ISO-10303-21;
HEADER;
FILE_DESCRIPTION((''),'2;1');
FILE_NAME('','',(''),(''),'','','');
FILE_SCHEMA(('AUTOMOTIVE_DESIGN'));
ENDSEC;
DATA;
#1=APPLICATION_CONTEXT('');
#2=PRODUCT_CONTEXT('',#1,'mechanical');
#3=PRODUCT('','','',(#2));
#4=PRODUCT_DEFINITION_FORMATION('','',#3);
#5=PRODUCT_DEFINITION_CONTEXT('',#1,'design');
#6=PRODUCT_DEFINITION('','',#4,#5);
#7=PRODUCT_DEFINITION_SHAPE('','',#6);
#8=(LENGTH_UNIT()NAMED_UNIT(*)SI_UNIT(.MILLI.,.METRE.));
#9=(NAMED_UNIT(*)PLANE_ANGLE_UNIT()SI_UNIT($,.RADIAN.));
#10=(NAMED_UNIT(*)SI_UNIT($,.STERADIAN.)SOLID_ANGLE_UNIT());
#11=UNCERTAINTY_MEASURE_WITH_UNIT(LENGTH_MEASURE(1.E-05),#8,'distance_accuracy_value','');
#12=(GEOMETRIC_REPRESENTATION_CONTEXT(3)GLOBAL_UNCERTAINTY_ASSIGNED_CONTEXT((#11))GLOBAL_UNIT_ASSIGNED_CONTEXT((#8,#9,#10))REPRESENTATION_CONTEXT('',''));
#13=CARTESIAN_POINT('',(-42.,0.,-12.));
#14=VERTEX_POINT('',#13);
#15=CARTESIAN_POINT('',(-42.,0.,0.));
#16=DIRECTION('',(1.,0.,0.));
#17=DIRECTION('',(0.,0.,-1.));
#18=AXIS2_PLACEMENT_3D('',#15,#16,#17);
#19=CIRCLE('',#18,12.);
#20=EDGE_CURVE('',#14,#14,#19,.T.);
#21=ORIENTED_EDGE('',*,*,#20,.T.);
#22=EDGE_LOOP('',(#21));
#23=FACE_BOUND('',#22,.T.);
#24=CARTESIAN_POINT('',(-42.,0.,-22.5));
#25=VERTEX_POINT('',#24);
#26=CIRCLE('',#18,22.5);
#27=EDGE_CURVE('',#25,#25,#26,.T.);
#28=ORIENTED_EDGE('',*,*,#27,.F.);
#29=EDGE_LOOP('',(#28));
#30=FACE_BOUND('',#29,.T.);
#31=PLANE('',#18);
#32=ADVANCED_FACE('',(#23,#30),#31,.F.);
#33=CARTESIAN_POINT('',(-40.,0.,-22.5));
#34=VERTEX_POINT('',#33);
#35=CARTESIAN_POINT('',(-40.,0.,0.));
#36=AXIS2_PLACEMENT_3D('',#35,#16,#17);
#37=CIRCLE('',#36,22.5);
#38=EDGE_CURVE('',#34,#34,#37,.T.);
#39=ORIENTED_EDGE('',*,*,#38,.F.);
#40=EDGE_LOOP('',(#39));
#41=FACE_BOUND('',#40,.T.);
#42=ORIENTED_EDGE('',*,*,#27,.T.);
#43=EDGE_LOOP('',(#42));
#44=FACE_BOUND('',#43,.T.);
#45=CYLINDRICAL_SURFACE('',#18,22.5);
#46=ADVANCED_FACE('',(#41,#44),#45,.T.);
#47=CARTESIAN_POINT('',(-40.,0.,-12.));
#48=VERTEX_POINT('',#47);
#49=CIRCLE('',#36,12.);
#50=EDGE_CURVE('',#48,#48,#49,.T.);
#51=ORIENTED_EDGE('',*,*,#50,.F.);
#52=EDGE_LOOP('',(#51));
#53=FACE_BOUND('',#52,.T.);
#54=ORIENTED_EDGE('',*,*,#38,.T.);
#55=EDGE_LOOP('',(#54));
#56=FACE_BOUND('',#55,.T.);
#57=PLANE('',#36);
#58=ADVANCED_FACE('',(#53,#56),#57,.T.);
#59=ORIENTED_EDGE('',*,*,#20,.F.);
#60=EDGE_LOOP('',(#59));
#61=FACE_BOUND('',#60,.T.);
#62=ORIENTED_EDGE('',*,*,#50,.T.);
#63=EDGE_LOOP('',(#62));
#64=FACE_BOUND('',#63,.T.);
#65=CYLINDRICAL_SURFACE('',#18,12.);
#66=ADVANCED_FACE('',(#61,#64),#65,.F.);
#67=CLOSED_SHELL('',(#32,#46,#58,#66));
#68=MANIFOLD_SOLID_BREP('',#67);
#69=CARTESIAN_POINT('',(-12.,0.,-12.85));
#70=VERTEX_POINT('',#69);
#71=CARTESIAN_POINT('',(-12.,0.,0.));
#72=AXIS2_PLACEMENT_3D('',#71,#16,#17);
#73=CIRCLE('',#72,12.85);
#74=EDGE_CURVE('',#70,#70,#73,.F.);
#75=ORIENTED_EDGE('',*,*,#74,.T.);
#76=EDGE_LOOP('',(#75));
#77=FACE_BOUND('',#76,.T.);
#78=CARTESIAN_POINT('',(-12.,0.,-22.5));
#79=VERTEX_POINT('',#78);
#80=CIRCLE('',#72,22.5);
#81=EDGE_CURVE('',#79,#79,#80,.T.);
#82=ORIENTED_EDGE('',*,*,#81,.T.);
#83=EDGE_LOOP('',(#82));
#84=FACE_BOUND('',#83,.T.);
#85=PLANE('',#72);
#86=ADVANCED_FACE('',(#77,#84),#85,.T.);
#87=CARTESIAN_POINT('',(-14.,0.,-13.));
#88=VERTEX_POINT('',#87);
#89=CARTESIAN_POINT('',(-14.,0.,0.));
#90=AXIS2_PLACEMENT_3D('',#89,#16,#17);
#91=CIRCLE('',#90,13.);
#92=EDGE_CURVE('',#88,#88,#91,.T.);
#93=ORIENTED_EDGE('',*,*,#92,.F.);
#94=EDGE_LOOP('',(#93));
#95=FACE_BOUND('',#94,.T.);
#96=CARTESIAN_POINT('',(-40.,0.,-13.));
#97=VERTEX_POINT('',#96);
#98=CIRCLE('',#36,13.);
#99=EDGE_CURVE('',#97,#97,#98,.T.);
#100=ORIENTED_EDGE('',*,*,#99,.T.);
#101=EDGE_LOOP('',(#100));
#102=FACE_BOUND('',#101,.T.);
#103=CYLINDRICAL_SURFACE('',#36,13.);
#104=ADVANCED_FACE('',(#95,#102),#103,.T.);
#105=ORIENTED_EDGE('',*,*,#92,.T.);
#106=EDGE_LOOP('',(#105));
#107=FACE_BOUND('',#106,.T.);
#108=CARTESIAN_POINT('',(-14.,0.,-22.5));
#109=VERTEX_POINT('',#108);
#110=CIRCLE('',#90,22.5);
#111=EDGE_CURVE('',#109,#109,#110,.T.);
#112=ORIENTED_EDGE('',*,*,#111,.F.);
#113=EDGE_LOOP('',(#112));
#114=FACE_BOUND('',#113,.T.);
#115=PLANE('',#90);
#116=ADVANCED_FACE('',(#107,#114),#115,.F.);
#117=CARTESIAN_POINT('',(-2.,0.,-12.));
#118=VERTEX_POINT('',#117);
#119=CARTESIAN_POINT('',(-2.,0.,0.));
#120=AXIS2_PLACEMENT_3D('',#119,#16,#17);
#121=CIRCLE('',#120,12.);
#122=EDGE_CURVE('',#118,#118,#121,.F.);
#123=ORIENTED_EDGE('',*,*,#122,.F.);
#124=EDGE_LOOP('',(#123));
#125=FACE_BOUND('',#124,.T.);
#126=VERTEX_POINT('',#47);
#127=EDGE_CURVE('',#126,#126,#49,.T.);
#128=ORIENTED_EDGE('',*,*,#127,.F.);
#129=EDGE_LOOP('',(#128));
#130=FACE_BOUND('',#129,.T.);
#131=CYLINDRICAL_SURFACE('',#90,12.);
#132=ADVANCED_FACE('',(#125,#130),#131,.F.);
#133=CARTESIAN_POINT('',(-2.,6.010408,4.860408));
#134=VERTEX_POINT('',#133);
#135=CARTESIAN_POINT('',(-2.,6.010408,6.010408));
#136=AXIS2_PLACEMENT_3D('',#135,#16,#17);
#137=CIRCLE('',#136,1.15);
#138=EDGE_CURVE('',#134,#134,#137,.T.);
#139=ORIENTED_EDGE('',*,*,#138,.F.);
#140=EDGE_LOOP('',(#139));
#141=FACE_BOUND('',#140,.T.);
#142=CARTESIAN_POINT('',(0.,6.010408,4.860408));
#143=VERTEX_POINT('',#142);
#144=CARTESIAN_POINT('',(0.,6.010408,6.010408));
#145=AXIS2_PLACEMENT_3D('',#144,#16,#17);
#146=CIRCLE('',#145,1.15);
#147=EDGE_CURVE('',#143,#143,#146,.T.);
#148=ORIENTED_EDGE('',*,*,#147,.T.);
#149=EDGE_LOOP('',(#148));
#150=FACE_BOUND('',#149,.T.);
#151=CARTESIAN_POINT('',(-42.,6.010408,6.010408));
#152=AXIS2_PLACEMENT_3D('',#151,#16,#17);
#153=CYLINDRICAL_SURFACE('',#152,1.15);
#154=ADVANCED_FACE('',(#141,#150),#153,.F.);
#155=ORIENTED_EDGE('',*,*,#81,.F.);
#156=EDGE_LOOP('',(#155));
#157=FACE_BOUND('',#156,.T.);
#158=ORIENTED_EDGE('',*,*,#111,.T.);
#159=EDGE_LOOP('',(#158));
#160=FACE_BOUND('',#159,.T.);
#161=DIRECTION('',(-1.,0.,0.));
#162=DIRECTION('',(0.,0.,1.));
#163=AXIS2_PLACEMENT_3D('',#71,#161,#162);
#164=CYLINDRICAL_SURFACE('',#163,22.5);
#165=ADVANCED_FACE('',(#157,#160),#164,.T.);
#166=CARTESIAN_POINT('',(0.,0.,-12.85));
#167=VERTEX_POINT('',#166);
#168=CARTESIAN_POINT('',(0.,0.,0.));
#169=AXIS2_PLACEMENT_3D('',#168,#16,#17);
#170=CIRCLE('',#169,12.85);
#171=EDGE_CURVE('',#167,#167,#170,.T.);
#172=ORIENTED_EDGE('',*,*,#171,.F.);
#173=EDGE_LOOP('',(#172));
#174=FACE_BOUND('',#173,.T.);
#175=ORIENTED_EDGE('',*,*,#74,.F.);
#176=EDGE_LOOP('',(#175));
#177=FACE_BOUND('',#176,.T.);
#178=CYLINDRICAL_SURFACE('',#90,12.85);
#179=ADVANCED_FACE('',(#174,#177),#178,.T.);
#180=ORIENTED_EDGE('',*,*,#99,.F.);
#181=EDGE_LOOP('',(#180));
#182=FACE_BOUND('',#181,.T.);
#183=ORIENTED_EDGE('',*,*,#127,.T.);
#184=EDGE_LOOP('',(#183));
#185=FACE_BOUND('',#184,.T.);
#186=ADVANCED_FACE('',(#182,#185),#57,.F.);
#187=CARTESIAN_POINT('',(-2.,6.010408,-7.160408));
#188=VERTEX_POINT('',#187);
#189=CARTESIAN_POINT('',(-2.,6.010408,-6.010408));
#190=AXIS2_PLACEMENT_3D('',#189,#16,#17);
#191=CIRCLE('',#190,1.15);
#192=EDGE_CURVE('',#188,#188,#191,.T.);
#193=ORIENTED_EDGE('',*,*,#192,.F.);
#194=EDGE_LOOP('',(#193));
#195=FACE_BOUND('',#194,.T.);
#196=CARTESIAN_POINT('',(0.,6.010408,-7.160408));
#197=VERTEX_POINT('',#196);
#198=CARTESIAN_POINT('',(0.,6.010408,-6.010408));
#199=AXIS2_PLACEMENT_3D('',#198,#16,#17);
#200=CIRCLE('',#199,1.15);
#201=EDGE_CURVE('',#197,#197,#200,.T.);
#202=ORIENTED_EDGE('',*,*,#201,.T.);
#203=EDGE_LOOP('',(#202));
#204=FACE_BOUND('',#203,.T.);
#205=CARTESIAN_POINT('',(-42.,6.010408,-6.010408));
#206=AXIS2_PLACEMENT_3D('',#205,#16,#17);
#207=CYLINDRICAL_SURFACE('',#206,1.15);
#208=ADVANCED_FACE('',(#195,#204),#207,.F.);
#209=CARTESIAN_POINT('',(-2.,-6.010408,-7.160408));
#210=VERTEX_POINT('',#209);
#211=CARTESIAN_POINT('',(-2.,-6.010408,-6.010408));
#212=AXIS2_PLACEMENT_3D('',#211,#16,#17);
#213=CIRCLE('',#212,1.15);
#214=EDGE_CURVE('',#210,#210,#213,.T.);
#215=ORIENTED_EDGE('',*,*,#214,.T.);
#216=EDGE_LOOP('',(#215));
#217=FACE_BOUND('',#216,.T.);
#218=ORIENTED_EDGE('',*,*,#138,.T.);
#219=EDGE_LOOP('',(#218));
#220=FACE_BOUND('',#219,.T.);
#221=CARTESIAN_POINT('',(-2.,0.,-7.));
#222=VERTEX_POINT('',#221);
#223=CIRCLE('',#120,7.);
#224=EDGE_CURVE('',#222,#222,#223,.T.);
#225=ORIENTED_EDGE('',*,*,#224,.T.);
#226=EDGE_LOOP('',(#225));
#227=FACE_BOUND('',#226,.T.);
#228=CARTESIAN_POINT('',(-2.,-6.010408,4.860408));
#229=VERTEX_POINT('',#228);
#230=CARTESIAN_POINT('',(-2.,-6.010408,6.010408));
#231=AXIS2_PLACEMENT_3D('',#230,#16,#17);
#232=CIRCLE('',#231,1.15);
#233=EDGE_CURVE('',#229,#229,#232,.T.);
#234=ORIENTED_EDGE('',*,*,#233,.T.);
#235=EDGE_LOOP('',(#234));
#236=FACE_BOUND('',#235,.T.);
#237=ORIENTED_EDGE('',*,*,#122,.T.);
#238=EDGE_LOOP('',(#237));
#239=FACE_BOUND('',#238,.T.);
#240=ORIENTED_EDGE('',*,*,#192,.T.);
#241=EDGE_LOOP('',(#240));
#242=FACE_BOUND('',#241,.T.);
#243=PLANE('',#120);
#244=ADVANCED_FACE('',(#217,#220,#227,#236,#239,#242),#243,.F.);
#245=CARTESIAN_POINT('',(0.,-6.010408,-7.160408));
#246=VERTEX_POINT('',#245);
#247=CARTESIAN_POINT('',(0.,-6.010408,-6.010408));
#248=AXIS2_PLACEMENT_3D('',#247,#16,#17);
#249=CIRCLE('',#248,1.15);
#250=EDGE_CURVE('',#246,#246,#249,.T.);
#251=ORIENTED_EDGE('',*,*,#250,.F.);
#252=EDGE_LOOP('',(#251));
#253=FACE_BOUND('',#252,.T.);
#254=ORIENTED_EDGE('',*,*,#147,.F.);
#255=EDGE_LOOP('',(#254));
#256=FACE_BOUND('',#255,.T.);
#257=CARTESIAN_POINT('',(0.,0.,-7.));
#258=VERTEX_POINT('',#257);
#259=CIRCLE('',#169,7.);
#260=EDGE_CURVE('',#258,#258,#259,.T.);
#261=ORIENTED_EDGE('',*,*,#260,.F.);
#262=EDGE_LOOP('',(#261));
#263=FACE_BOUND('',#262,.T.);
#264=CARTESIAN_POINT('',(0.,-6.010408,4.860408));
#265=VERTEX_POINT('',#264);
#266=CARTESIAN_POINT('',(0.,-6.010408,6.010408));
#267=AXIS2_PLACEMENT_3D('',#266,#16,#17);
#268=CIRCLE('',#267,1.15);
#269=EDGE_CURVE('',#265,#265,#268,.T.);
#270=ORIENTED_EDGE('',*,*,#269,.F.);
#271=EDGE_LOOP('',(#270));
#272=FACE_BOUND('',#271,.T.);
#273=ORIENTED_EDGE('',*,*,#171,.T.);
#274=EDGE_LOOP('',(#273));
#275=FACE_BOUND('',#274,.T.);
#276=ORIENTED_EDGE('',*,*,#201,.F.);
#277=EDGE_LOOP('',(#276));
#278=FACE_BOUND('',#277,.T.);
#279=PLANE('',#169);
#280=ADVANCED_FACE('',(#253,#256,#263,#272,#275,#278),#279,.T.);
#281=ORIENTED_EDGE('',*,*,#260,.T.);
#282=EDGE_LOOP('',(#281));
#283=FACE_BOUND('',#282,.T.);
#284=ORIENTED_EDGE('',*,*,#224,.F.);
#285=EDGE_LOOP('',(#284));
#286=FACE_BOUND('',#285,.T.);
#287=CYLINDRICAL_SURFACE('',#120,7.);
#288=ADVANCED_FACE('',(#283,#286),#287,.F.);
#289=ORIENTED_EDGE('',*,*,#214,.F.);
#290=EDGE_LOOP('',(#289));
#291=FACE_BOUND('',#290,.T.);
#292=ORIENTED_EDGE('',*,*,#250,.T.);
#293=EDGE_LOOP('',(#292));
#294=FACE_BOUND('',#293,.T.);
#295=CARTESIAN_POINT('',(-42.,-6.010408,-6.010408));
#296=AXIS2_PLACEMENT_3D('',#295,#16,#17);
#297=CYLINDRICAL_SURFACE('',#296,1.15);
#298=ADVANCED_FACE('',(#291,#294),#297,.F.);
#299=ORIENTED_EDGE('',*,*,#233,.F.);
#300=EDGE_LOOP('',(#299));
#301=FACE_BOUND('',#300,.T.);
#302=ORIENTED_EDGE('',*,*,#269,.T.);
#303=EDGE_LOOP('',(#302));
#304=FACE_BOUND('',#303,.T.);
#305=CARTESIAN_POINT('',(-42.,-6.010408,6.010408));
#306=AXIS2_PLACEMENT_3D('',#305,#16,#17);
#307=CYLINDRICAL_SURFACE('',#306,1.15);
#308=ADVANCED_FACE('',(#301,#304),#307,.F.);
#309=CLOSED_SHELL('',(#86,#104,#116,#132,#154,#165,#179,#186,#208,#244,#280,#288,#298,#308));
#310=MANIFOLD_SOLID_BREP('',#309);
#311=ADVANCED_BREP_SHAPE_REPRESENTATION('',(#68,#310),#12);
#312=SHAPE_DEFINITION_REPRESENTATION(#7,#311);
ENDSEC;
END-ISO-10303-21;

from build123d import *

# Parameters (mm, degrees)
SKETCH2_R           = 12.85
SKETCH2_R_2         = 12
BOSS_EXTRUDE2_DEPTH = 14
SKETCH3_R           = 12.85
SKETCH3_R_2         = 7
BOSS_EXTRUDE3_DEPTH = 2
BOSS_EXTRUDE5_START = -14
SKETCH4_R           = 22.5
SKETCH4_R_2         = 12
BOSS_EXTRUDE5_DEPTH = 2
BOSS_EXTRUDE6_START = -14
SKETCH6_R           = 13
SKETCH6_R_2         = 12
BOSS_EXTRUDE6_DEPTH = 26
BOSS_EXTRUDE7_START = -40
SKETCH7_R           = 22.5
SKETCH7_R_2         = 12
BOSS_EXTRUDE7_DEPTH = 2
SKETCH8_R           = 1.15
CUT_EXTRUDE1_DEPTH  = 43


with BuildPart() as part:
    # Sketch2 → Boss-Extrude2 (new body)
    with BuildSketch(Plane(origin=(0, 0, 0), x_dir=(0, 0, -1), z_dir=(1, 0, 0))):
        Circle(SKETCH2_R)
        Circle(SKETCH2_R_2, mode=Mode.SUBTRACT)
    extrude(amount=-BOSS_EXTRUDE2_DEPTH)

    # Sketch3 → Boss-Extrude3 (add)
    with BuildSketch(Plane(origin=(0, 0, 0), x_dir=(0, 0, -1), z_dir=(1, 0, 0))):
        Circle(SKETCH3_R)
        Circle(SKETCH3_R_2, mode=Mode.SUBTRACT)
    extrude(amount=-BOSS_EXTRUDE3_DEPTH)

    # Sketch4 → Boss-Extrude5 (add)
    with BuildSketch(Plane(origin=(0, 0, 0), x_dir=(0, 0, -1), z_dir=(1, 0, 0)).offset(BOSS_EXTRUDE5_START)):
        Circle(SKETCH4_R)
        Circle(SKETCH4_R_2, mode=Mode.SUBTRACT)
    extrude(amount=BOSS_EXTRUDE5_DEPTH)

    # Sketch6 → Boss-Extrude6 (add)
    with BuildSketch(Plane(origin=(0, 0, 0), x_dir=(0, 0, -1), z_dir=(1, 0, 0)).offset(BOSS_EXTRUDE6_START)):
        Circle(SKETCH6_R)
        Circle(SKETCH6_R_2, mode=Mode.SUBTRACT)
    extrude(amount=-BOSS_EXTRUDE6_DEPTH)

    # Sketch8 → Cut-Extrude1 (cut, through all)
    with BuildSketch(Plane(origin=(0, 0, 0), x_dir=(0, 0, -1), z_dir=(1, 0, 0))):
        with Locations((6.01040764, 6.01040764)):
            Circle(SKETCH8_R)
        with Locations((6.01040764, -6.01040764)):
            Circle(SKETCH8_R)
        with Locations((-6.01040764, -6.01040764)):
            Circle(SKETCH8_R)
        with Locations((-6.01040764, 6.01040764)):
            Circle(SKETCH8_R)
    extrude(amount=-CUT_EXTRUDE1_DEPTH, mode=Mode.SUBTRACT)


with BuildPart() as body_2:
    # Sketch7 → Boss-Extrude7 (new body)
    with BuildSketch(Plane(origin=(0, 0, 0), x_dir=(0, 0, -1), z_dir=(1, 0, 0)).offset(BOSS_EXTRUDE7_START)):
        Circle(SKETCH7_R)
        Circle(SKETCH7_R_2, mode=Mode.SUBTRACT)
    extrude(amount=-BOSS_EXTRUDE7_DEPTH)


solid = Compound([part.part, body_2.part])
